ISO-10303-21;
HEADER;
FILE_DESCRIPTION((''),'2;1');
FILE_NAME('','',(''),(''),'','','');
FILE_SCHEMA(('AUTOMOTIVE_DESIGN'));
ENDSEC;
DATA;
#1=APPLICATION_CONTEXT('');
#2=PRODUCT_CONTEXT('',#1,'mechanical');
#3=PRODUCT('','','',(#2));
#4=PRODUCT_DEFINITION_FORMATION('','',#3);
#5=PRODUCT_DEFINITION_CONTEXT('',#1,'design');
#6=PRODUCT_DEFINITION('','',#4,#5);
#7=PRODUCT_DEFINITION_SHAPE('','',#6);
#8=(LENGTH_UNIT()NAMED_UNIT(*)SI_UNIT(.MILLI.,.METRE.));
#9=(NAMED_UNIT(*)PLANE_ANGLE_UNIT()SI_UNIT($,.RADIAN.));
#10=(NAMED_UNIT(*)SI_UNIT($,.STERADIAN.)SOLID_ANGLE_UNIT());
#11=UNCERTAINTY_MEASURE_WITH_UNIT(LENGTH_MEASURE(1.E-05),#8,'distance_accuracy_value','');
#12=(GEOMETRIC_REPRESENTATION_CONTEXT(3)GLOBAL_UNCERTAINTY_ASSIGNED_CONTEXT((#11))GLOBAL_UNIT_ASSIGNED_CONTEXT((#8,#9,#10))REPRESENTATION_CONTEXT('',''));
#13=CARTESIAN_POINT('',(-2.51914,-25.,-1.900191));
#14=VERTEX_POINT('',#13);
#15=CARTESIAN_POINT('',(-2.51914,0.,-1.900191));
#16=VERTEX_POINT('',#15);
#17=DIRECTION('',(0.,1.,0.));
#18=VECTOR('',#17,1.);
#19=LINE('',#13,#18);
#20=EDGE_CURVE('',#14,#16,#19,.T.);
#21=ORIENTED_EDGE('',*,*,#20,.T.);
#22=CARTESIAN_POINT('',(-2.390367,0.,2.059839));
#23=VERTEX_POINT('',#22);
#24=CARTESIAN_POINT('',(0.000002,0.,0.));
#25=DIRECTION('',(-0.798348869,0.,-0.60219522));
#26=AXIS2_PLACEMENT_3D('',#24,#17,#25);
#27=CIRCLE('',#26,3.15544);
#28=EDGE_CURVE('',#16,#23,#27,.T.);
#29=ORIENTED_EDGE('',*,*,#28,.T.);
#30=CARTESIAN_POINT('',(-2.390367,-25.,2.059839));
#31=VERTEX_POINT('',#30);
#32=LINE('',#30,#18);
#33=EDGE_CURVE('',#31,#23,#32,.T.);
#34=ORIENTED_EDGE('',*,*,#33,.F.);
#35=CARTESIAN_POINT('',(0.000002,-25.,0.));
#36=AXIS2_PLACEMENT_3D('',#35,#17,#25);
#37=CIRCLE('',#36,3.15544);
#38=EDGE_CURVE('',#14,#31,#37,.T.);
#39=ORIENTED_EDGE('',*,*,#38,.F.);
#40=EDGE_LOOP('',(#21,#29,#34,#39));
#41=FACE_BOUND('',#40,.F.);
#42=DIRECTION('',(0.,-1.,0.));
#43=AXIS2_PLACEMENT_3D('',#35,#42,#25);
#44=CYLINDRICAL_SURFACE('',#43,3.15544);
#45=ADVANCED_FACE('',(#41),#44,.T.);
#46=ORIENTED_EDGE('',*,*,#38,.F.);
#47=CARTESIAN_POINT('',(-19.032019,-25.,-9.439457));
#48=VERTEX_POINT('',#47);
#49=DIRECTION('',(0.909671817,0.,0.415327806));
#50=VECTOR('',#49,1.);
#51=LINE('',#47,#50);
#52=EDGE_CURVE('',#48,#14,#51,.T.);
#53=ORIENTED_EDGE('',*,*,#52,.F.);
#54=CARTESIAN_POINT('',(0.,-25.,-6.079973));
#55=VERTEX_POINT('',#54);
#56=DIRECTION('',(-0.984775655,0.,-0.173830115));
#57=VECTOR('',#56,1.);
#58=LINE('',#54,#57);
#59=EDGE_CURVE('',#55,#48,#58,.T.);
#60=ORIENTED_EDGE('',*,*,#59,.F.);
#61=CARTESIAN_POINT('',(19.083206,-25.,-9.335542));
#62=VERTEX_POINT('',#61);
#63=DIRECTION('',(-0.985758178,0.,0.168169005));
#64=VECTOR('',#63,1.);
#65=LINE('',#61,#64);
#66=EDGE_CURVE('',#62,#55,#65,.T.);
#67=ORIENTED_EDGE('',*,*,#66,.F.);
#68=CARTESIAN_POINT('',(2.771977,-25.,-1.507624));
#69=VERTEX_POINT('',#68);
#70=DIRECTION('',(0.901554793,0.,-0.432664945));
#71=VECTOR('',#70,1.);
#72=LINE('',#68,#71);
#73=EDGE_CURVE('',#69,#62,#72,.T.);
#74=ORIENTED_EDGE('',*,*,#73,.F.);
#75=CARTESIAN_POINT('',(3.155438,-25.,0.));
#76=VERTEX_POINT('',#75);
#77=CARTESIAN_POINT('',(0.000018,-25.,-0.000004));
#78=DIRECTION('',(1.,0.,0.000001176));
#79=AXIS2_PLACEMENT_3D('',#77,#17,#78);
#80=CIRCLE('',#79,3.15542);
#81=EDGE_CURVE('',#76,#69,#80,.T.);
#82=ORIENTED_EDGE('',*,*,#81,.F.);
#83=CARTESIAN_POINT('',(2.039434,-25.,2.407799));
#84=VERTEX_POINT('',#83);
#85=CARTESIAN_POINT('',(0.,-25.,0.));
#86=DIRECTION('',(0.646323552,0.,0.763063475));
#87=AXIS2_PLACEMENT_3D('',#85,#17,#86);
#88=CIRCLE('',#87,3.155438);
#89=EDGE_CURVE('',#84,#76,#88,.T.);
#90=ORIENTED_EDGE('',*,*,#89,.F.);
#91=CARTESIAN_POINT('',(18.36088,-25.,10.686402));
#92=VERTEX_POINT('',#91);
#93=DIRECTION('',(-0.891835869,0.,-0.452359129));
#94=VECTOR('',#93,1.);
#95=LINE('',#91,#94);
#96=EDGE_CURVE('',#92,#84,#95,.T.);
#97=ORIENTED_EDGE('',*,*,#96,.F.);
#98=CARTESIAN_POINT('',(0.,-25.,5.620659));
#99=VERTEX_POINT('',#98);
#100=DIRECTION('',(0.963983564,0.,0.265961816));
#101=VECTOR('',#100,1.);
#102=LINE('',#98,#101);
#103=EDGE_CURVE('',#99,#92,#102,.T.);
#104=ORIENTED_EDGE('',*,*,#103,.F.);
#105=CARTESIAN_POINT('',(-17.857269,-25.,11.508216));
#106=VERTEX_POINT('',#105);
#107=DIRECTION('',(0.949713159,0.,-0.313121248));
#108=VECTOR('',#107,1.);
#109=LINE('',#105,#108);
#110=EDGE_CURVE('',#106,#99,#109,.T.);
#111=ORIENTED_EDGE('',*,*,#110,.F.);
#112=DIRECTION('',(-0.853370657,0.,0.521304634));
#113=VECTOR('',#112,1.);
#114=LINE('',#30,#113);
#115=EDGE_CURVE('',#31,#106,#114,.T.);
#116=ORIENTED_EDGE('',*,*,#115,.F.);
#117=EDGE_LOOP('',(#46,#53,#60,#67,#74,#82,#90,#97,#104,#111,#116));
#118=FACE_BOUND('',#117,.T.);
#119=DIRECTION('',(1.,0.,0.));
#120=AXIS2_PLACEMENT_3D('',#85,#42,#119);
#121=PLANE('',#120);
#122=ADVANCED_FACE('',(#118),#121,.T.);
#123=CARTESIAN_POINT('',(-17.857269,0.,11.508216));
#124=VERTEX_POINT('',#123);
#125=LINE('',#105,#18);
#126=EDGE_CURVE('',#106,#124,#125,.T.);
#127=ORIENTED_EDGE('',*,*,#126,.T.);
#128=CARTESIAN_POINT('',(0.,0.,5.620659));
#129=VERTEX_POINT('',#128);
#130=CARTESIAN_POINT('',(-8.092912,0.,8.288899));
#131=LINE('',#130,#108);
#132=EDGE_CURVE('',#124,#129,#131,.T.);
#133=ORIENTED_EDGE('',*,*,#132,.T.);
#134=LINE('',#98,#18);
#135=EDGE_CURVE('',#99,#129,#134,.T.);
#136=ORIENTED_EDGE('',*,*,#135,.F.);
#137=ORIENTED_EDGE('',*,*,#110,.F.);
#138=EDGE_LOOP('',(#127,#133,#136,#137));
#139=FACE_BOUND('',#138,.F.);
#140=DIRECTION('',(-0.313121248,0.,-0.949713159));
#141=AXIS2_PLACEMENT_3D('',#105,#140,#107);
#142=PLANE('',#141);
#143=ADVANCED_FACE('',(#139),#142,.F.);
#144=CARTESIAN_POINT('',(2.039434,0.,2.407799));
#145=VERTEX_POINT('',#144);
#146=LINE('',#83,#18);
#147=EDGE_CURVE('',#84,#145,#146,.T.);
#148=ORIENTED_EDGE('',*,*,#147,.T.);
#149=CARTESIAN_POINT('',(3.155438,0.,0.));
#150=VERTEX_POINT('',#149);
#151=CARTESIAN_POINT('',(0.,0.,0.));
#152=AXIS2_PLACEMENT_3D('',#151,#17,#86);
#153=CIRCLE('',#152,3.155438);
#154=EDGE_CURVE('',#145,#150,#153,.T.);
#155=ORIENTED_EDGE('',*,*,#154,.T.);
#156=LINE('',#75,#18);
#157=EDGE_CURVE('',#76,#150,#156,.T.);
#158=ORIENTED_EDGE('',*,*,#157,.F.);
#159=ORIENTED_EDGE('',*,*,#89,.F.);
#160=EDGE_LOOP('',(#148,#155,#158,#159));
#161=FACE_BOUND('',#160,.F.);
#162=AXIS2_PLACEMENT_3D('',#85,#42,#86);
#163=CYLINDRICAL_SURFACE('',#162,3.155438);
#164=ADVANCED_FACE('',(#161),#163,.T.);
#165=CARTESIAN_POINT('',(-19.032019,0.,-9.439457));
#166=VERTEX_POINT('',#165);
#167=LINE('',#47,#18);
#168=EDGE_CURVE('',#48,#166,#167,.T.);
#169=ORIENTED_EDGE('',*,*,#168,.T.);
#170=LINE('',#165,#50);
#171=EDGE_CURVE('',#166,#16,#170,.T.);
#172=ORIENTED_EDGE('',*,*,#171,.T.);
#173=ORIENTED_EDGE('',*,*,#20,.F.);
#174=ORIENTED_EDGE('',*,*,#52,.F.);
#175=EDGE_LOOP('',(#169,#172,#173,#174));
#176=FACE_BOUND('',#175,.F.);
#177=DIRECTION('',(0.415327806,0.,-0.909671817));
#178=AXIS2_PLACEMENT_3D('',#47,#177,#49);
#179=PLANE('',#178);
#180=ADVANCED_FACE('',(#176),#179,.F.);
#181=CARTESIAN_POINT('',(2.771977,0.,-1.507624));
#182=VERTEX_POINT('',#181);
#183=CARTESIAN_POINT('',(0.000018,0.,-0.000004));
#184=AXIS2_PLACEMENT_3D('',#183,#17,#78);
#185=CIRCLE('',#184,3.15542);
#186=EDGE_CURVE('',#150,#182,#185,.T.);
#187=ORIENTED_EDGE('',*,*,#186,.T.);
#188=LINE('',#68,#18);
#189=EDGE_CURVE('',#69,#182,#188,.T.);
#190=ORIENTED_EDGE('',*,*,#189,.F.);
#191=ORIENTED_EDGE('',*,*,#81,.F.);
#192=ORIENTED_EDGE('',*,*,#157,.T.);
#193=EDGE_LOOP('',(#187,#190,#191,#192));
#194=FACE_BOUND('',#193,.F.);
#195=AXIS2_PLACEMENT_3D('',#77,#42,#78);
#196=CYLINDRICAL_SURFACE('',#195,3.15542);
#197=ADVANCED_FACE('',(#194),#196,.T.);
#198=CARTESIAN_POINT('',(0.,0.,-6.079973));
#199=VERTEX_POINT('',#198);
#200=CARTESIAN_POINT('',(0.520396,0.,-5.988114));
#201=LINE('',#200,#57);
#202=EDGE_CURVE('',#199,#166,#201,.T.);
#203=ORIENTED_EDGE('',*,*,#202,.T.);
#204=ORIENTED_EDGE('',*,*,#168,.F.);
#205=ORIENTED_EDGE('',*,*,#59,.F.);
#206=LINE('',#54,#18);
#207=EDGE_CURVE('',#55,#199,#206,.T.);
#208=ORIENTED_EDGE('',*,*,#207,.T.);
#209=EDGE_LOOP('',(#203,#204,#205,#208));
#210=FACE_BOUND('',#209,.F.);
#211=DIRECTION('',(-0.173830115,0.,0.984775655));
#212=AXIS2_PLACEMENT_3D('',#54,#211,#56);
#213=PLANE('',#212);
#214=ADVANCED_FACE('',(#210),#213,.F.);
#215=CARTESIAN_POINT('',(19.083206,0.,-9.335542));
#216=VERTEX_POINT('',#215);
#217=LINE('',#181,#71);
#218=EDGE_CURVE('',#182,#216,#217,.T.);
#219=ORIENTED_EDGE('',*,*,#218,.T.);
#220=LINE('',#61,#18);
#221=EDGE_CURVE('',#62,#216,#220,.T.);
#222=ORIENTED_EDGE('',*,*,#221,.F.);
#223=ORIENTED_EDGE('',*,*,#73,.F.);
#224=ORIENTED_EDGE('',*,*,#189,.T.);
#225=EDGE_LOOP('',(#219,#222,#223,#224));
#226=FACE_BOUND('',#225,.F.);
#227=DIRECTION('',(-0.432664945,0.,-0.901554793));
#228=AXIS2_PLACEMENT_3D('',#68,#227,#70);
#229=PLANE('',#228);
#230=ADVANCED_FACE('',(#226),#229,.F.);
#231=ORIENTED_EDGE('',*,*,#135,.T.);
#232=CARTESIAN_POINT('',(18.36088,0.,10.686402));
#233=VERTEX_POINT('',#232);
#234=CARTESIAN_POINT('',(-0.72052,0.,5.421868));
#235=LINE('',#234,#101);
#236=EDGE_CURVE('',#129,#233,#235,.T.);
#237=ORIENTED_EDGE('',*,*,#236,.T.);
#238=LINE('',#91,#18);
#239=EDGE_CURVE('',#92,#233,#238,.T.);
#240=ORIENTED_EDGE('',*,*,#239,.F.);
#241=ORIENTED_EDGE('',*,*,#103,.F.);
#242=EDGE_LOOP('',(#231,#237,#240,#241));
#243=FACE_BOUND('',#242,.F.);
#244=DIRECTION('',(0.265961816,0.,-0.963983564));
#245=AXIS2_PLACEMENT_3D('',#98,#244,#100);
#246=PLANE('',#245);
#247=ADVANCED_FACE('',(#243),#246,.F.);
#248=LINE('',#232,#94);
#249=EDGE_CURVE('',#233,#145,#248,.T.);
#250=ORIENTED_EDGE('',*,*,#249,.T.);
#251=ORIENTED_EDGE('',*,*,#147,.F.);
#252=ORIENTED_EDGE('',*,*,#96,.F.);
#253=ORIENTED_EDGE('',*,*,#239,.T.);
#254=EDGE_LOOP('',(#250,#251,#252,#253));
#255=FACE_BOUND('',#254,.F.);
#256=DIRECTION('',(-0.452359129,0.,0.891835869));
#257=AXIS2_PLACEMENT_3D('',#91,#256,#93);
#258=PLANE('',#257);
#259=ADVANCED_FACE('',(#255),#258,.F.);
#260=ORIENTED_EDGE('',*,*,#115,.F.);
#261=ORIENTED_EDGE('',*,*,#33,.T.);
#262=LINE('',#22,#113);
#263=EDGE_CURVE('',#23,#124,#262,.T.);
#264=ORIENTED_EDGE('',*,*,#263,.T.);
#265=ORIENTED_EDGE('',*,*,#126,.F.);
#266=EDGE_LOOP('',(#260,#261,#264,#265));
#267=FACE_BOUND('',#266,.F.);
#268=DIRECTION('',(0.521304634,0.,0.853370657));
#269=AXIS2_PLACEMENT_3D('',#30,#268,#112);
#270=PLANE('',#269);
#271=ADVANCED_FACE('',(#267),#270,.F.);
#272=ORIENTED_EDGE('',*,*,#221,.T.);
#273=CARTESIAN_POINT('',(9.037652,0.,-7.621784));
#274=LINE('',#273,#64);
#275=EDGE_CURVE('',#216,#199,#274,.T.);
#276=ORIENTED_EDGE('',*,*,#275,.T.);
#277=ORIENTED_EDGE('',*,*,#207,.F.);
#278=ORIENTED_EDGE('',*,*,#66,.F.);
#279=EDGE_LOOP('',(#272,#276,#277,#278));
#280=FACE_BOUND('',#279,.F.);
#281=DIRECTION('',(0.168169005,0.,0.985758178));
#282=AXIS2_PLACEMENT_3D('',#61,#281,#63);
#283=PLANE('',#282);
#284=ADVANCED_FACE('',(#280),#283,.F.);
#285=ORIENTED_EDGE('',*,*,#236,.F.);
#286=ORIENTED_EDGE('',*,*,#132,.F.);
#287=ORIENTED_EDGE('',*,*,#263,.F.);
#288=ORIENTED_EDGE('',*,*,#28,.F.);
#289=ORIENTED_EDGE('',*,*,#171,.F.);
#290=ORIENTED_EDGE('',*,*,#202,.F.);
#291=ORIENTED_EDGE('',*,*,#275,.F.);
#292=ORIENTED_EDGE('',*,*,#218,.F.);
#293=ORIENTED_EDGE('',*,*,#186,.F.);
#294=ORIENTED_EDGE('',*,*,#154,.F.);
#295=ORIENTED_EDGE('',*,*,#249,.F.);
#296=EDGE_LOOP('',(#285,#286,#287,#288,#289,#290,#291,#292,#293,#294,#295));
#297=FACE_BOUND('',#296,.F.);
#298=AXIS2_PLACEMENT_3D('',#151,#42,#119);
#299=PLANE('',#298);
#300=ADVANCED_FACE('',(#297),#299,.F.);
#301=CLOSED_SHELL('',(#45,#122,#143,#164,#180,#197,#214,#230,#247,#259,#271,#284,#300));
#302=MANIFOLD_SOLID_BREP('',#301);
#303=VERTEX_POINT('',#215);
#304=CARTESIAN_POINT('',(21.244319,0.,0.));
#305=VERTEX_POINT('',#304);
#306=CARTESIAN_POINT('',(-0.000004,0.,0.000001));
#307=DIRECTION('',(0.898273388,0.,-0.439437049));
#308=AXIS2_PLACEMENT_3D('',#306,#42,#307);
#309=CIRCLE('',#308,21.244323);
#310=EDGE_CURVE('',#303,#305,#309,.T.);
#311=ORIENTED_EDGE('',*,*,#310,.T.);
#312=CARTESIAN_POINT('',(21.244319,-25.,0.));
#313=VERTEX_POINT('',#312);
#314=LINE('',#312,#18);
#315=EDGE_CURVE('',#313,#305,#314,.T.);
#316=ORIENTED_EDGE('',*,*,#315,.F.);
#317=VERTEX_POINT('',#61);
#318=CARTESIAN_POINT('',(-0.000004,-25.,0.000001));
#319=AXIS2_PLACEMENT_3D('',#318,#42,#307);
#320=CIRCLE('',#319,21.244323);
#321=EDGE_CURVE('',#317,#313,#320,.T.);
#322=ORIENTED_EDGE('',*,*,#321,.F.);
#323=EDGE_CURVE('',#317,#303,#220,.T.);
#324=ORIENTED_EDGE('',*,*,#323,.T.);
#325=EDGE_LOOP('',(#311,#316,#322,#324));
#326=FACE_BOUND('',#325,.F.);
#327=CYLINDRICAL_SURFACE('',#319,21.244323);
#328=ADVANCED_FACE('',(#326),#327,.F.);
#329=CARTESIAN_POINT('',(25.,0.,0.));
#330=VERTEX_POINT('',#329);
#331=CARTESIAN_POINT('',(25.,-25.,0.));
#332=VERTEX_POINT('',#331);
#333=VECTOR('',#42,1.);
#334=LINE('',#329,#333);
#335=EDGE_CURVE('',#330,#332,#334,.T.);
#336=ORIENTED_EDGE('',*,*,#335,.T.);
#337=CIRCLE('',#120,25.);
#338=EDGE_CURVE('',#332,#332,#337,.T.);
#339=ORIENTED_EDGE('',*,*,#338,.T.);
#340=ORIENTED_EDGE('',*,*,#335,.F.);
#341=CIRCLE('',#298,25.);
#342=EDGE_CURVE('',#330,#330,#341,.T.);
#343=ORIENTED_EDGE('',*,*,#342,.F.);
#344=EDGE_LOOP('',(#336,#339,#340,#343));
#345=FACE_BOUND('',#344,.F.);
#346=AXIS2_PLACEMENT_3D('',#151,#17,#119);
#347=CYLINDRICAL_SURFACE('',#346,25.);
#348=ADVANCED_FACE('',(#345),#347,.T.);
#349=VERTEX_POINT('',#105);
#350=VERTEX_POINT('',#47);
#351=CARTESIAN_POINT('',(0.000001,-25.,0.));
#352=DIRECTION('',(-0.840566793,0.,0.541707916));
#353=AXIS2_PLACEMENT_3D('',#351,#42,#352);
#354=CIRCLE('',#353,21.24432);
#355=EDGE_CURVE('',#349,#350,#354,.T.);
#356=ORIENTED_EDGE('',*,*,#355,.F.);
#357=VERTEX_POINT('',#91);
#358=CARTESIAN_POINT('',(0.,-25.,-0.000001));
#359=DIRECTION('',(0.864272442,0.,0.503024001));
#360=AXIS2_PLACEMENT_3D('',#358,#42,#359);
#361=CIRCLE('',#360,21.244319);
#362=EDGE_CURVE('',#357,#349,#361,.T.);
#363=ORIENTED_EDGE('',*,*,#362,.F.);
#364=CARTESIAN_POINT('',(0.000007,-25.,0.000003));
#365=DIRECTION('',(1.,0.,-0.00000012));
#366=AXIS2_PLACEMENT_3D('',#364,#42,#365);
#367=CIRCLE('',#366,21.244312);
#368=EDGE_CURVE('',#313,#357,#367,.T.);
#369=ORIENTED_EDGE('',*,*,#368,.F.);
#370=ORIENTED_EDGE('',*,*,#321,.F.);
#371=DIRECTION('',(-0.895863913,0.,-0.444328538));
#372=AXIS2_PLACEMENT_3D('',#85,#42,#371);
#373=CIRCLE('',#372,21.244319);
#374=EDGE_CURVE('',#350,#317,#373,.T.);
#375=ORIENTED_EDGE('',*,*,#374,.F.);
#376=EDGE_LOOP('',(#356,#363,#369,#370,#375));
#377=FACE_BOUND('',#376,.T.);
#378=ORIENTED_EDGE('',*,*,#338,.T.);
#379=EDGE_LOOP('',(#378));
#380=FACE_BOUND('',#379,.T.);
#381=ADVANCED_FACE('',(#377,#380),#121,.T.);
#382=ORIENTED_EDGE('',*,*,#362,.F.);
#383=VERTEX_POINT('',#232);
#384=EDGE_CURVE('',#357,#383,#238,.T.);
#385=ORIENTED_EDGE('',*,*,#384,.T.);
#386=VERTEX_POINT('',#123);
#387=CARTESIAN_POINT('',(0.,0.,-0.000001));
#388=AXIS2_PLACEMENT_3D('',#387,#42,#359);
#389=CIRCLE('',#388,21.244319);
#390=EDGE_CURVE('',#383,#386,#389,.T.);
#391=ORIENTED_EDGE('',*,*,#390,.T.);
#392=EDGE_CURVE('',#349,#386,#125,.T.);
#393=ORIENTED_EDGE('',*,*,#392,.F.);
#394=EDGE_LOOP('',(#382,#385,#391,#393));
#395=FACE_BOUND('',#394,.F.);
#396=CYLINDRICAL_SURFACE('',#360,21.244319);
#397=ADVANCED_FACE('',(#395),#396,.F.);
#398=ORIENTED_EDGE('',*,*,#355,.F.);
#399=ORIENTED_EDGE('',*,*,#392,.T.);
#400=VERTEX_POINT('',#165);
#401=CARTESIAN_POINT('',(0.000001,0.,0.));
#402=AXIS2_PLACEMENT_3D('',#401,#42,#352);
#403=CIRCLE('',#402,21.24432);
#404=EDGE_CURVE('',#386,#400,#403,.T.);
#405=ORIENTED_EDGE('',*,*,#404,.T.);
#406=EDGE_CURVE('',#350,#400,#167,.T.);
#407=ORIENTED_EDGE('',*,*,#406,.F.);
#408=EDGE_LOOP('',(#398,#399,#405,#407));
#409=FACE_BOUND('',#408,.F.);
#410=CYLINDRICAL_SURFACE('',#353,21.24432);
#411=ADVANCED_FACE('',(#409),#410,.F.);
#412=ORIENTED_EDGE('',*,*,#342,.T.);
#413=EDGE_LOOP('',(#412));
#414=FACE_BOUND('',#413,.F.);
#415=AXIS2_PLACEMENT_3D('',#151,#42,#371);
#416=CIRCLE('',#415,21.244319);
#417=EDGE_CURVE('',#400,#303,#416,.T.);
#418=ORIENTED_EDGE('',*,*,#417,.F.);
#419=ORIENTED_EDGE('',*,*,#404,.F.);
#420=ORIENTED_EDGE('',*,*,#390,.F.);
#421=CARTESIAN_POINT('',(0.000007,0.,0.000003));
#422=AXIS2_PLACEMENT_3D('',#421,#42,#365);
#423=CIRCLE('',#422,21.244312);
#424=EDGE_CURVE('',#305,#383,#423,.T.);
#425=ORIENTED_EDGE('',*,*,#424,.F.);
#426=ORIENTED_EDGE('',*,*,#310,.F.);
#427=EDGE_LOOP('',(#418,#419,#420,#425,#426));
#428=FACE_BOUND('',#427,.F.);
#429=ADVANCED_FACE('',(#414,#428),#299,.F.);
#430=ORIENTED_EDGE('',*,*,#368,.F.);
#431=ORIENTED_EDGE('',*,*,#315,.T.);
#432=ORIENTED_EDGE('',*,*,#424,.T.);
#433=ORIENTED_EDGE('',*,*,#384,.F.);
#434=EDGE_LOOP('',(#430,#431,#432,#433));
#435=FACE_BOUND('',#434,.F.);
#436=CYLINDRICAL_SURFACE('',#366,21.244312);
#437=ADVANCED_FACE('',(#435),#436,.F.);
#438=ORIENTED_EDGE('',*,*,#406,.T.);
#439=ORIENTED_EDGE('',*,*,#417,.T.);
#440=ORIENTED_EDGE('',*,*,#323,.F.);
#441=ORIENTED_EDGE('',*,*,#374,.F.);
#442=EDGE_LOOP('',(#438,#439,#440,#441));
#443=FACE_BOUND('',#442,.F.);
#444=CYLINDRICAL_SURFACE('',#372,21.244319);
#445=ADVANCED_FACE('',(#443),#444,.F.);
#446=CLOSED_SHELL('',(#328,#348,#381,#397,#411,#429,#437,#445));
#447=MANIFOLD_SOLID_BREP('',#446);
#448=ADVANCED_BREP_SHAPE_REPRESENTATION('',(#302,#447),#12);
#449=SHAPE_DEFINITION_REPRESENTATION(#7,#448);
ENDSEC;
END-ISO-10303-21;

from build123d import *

# Parameters (mm, degrees)
F0_R     = 25
F1_DEPTH = 25
F3_DEPTH = 30
F4_DEPTH = 25


with BuildPart() as f1:
    # F0 (on Front) → F1 (new body)
    with BuildSketch(Plane.XZ):
        Circle(F0_R)
    extrude(amount=F1_DEPTH)

    # F2 (on face) → F3 (cut)
    with BuildSketch(Plane.XZ.offset(25)):
        with BuildLine():
            Line((0, 5.620659), (18.36088, 10.686402))
            ThreePointArc((18.36088, 10.686402), (0.481924, 21.238852), (-17.857269, 11.508216))
            Line((-17.857269, 11.508216), (0, 5.620659))
        make_face()
        with BuildLine():
            ThreePointArc((-19.032019, -9.439457), (0.057919, -21.24424), (19.083206, -9.335542))
            Line((19.083206, -9.335542), (0, -6.079973))
            Line((0, -6.079973), (-19.032019, -9.439457))
        make_face()
    extrude(amount=-F3_DEPTH, mode=Mode.SUBTRACT)

    # F2 (on face) → F4 (cut)
    with BuildSketch(Plane.XZ.offset(25)):
        with BuildLine():
            Line((-2.390367, 2.059839), (-17.857269, 11.508216))
            ThreePointArc((-17.857269, 11.508216), (-21.210991, 1.189517), (-19.032019, -9.439457))
            Line((-19.032019, -9.439457), (-2.51914, -1.900191))
            ThreePointArc((-2.51914, -1.900191), (-3.153771, 0.102555), (-2.390367, 2.059839))
        make_face()
        with BuildLine():
            ThreePointArc((19.083206, -9.335542), (20.69699, -4.79121), (21.244319, 0))
            ThreePointArc((21.244319, 0), (20.510796, 5.534289), (18.36088, 10.686402))
            Line((18.36088, 10.686402), (2.039434, 2.407799))
            ThreePointArc((2.039434, 2.407799), (2.862874, 1.326929), (3.155438, 0))
            ThreePointArc((3.155438, 0), (3.058071, -0.777813), (2.771977, -1.507624))
            Line((2.771977, -1.507624), (19.083206, -9.335542))
        make_face()
    extrude(amount=-F4_DEPTH, mode=Mode.SUBTRACT)


solid = f1.part
